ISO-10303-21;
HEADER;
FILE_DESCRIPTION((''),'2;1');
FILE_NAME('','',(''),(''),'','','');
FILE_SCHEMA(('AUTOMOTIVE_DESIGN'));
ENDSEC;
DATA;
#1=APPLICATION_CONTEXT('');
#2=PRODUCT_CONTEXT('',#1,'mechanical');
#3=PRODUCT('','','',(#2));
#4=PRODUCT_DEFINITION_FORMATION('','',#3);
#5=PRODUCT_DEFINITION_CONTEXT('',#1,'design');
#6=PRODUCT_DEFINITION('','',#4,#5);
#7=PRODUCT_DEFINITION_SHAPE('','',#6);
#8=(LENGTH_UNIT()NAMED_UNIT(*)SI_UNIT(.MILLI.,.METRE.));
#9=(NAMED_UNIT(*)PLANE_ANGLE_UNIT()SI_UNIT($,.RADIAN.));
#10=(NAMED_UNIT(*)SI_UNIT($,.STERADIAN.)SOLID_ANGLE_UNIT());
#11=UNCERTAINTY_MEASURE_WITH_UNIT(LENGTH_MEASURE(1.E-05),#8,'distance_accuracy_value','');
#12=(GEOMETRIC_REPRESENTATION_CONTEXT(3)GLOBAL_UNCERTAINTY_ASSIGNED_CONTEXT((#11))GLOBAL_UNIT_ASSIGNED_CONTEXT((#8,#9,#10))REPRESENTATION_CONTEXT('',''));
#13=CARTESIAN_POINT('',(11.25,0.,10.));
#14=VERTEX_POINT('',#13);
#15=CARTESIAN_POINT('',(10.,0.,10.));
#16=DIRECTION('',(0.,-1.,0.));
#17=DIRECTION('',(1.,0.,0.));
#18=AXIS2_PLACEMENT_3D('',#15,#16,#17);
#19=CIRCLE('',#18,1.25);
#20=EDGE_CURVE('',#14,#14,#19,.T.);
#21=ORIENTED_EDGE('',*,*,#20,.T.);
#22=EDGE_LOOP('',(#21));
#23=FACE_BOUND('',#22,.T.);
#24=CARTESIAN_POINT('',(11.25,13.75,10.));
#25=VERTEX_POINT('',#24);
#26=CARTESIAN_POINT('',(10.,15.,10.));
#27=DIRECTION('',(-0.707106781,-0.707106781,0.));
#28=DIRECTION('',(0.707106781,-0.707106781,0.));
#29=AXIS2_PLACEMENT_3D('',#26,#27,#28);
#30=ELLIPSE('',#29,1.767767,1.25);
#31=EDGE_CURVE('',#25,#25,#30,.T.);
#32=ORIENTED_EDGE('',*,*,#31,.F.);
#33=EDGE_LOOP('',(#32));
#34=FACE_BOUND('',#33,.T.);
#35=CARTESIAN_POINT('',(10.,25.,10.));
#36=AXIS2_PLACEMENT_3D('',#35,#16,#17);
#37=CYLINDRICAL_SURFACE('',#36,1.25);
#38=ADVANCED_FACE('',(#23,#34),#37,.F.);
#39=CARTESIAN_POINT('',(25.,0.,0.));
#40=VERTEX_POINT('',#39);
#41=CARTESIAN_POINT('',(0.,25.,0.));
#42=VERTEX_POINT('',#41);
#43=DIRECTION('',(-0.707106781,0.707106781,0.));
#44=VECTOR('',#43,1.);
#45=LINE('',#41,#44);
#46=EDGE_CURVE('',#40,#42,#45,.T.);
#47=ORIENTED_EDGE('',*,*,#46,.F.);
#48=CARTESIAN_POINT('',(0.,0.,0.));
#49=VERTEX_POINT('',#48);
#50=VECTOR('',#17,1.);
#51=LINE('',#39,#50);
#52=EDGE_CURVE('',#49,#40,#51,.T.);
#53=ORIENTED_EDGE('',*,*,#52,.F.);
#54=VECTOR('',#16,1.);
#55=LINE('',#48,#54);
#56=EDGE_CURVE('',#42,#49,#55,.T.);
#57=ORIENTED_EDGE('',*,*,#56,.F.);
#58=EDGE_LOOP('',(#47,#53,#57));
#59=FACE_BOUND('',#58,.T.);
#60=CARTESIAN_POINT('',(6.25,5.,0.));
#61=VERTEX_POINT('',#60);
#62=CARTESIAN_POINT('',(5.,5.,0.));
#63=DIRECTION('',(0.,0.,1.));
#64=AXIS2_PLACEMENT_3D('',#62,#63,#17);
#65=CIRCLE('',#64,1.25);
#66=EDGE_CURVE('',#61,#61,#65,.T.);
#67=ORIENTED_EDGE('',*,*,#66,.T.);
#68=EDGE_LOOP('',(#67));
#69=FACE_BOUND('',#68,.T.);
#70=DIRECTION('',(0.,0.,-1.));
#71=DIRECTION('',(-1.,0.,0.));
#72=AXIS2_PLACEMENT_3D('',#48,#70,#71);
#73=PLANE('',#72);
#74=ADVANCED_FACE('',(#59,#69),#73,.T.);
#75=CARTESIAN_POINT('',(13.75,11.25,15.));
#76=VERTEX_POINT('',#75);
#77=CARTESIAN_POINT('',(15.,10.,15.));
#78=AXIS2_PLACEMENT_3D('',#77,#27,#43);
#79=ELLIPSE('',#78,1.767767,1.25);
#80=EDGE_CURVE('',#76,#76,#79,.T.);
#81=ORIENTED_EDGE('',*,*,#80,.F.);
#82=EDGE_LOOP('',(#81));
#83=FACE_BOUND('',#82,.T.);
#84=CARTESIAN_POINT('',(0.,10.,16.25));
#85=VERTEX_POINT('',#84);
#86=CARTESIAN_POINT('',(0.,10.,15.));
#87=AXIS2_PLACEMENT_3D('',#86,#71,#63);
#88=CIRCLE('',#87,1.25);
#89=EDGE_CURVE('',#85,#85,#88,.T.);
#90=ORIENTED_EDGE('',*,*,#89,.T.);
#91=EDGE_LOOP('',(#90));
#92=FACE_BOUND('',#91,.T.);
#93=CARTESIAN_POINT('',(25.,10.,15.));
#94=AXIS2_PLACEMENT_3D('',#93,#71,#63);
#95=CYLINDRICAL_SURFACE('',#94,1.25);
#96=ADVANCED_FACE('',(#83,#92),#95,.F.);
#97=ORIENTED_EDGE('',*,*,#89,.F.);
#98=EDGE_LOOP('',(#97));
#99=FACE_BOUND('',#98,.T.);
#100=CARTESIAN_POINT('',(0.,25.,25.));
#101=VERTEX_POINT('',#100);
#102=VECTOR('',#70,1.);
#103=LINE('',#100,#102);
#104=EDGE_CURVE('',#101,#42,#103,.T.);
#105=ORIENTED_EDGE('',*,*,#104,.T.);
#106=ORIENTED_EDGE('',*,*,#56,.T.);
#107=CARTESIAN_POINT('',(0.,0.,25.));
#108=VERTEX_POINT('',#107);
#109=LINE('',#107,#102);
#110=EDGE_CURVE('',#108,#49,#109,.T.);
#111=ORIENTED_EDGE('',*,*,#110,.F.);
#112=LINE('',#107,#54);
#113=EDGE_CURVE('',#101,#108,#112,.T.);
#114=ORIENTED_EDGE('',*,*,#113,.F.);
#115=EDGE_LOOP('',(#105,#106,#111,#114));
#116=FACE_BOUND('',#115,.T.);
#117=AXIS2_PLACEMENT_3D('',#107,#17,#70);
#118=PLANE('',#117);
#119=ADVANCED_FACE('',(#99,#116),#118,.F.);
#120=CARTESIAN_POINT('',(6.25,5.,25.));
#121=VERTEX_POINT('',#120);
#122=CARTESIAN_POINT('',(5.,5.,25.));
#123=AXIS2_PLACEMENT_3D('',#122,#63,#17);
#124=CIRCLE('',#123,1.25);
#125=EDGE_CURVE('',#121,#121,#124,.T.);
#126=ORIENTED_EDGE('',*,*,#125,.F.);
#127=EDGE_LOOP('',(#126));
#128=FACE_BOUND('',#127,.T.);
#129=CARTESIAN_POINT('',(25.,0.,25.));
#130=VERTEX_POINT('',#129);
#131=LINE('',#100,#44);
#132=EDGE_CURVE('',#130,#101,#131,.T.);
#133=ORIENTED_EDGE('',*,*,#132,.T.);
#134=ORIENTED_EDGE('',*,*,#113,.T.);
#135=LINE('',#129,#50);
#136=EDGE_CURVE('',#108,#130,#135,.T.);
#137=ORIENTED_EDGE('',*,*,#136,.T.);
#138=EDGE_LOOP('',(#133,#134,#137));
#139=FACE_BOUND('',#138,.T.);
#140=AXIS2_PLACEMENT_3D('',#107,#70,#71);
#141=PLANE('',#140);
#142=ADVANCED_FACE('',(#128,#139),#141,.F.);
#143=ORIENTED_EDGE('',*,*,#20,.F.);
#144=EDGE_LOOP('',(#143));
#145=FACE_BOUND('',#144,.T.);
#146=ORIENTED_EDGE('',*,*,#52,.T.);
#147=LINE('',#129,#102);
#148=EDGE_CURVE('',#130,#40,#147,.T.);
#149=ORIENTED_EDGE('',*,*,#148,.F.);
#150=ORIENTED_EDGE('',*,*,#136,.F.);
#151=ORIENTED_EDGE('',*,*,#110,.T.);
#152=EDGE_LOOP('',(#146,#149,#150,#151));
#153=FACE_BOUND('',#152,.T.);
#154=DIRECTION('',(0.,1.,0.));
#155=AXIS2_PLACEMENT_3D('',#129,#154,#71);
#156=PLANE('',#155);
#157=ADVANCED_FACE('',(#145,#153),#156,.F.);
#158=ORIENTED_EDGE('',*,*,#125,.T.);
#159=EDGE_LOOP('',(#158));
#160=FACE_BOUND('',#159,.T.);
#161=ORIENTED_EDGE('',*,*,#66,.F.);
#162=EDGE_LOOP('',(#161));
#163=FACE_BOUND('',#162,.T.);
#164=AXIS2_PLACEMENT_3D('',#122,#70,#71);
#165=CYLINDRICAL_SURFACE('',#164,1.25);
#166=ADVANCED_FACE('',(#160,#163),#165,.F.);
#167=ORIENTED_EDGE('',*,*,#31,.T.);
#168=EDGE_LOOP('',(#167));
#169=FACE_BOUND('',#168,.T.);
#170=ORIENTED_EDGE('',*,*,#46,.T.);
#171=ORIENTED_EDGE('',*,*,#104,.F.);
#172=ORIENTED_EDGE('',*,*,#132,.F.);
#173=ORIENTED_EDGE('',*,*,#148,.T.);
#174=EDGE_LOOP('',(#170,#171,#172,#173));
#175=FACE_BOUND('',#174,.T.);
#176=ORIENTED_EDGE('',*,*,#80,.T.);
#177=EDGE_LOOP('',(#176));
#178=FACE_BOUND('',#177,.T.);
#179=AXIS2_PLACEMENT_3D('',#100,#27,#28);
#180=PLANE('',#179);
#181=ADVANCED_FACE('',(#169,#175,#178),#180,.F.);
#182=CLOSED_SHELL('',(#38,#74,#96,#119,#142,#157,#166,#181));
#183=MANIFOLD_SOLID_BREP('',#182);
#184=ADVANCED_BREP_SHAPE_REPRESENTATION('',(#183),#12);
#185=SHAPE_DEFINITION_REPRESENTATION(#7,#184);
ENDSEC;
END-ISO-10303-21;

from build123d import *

# Parameters (mm, degrees)
SKETCH_1_R          = 1.25
EXTRUDE_1_DEPTH     = 25
SKETCH_2_R          = 1.25
CUT_EXTRUDE_1_DEPTH = 25
SKETCH_3_R          = 1.25
CUT_EXTRUDE_2_DEPTH = 25


with BuildPart() as part:
    # Эскиз1 → Бобышка-Вытянуть1 (new body)
    with BuildSketch(Plane.XY):
        Polygon((0, 0), (0, 25), (25, 0), align=None)
        with Locations((5, 5)):
            Circle(SKETCH_1_R, mode=Mode.SUBTRACT)
    extrude(amount=EXTRUDE_1_DEPTH)

    # Эскиз2 → Вырез-Вытянуть1 (cut)
    with BuildSketch(Plane.ZY):
        with Locations((15, 10)):
            Circle(SKETCH_2_R)
    extrude(amount=-CUT_EXTRUDE_1_DEPTH, mode=Mode.SUBTRACT)

    # Эскиз3 → Вырез-Вытянуть2 (cut)
    with BuildSketch(Plane.XZ):
        with Locations((10, 10)):
            Circle(SKETCH_3_R)
    extrude(amount=-CUT_EXTRUDE_2_DEPTH, mode=Mode.SUBTRACT)


solid = part.part
